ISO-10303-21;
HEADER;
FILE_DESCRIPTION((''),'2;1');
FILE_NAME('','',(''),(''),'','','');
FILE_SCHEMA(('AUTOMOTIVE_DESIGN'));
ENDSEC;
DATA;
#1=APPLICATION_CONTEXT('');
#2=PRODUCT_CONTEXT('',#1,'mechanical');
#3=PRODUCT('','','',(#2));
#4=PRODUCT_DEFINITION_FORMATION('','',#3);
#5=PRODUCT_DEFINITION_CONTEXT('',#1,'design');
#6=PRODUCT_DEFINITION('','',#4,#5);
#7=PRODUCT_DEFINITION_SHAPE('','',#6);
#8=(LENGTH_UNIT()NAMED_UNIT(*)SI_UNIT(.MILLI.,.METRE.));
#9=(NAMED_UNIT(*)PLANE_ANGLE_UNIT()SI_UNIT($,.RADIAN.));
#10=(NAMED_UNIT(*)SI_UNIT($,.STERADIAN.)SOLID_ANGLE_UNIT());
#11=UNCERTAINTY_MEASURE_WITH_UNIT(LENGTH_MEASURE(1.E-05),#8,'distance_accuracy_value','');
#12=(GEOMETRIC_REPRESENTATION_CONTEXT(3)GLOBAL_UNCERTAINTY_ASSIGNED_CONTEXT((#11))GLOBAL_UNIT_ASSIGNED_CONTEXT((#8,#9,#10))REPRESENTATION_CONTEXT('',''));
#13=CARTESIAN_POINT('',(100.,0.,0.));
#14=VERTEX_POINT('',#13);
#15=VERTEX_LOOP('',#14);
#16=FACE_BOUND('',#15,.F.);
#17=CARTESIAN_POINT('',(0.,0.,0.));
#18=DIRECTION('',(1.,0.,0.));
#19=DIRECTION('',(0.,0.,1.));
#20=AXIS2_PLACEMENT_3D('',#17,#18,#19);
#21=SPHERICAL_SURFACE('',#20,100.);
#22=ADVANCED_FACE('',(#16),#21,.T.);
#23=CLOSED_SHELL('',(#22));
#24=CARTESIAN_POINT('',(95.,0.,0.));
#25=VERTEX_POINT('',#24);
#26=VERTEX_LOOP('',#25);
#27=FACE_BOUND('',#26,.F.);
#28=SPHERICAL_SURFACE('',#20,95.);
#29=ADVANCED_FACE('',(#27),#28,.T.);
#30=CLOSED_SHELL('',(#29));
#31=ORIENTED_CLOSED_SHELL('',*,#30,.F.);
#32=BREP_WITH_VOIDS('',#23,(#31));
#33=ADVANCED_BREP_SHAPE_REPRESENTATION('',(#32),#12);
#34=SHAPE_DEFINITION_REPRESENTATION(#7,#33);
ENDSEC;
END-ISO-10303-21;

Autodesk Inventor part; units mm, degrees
ref_plane "YZ Plane" through (0, 0, 0) normal (1, 0, 0) x (0, 1, 0)
ref_plane "XZ Plane" through (0, 0, 0) normal (0, 1, 0) x (-1, 0, 0)
ref_plane "XY Plane" through (0, 0, 0) normal (0, 0, 1) x (1, 0, 0)
sketch "Sketch1" plane through (0, 0, 0) normal (0, 1, 0) x (-1, 0, 0)
  arc A0 (100, 0) -> (-100, 0) centre (0, 0) ccw
  line L0 (-100, 0) -> (100, 0)
  arc A1 (95, 0) -> (-95, 0) centre (0, 0) ccw
  dimension "d0" = 200
  dimension "d2" = 190
revolve "Revolution1" add sketch "Sketch1" angle 360 about axis through (100, 0, 0) along (-1, 0, 0) contours L0 A1 A0
properties part number "Gelenke" material "Steel, Alloy"
